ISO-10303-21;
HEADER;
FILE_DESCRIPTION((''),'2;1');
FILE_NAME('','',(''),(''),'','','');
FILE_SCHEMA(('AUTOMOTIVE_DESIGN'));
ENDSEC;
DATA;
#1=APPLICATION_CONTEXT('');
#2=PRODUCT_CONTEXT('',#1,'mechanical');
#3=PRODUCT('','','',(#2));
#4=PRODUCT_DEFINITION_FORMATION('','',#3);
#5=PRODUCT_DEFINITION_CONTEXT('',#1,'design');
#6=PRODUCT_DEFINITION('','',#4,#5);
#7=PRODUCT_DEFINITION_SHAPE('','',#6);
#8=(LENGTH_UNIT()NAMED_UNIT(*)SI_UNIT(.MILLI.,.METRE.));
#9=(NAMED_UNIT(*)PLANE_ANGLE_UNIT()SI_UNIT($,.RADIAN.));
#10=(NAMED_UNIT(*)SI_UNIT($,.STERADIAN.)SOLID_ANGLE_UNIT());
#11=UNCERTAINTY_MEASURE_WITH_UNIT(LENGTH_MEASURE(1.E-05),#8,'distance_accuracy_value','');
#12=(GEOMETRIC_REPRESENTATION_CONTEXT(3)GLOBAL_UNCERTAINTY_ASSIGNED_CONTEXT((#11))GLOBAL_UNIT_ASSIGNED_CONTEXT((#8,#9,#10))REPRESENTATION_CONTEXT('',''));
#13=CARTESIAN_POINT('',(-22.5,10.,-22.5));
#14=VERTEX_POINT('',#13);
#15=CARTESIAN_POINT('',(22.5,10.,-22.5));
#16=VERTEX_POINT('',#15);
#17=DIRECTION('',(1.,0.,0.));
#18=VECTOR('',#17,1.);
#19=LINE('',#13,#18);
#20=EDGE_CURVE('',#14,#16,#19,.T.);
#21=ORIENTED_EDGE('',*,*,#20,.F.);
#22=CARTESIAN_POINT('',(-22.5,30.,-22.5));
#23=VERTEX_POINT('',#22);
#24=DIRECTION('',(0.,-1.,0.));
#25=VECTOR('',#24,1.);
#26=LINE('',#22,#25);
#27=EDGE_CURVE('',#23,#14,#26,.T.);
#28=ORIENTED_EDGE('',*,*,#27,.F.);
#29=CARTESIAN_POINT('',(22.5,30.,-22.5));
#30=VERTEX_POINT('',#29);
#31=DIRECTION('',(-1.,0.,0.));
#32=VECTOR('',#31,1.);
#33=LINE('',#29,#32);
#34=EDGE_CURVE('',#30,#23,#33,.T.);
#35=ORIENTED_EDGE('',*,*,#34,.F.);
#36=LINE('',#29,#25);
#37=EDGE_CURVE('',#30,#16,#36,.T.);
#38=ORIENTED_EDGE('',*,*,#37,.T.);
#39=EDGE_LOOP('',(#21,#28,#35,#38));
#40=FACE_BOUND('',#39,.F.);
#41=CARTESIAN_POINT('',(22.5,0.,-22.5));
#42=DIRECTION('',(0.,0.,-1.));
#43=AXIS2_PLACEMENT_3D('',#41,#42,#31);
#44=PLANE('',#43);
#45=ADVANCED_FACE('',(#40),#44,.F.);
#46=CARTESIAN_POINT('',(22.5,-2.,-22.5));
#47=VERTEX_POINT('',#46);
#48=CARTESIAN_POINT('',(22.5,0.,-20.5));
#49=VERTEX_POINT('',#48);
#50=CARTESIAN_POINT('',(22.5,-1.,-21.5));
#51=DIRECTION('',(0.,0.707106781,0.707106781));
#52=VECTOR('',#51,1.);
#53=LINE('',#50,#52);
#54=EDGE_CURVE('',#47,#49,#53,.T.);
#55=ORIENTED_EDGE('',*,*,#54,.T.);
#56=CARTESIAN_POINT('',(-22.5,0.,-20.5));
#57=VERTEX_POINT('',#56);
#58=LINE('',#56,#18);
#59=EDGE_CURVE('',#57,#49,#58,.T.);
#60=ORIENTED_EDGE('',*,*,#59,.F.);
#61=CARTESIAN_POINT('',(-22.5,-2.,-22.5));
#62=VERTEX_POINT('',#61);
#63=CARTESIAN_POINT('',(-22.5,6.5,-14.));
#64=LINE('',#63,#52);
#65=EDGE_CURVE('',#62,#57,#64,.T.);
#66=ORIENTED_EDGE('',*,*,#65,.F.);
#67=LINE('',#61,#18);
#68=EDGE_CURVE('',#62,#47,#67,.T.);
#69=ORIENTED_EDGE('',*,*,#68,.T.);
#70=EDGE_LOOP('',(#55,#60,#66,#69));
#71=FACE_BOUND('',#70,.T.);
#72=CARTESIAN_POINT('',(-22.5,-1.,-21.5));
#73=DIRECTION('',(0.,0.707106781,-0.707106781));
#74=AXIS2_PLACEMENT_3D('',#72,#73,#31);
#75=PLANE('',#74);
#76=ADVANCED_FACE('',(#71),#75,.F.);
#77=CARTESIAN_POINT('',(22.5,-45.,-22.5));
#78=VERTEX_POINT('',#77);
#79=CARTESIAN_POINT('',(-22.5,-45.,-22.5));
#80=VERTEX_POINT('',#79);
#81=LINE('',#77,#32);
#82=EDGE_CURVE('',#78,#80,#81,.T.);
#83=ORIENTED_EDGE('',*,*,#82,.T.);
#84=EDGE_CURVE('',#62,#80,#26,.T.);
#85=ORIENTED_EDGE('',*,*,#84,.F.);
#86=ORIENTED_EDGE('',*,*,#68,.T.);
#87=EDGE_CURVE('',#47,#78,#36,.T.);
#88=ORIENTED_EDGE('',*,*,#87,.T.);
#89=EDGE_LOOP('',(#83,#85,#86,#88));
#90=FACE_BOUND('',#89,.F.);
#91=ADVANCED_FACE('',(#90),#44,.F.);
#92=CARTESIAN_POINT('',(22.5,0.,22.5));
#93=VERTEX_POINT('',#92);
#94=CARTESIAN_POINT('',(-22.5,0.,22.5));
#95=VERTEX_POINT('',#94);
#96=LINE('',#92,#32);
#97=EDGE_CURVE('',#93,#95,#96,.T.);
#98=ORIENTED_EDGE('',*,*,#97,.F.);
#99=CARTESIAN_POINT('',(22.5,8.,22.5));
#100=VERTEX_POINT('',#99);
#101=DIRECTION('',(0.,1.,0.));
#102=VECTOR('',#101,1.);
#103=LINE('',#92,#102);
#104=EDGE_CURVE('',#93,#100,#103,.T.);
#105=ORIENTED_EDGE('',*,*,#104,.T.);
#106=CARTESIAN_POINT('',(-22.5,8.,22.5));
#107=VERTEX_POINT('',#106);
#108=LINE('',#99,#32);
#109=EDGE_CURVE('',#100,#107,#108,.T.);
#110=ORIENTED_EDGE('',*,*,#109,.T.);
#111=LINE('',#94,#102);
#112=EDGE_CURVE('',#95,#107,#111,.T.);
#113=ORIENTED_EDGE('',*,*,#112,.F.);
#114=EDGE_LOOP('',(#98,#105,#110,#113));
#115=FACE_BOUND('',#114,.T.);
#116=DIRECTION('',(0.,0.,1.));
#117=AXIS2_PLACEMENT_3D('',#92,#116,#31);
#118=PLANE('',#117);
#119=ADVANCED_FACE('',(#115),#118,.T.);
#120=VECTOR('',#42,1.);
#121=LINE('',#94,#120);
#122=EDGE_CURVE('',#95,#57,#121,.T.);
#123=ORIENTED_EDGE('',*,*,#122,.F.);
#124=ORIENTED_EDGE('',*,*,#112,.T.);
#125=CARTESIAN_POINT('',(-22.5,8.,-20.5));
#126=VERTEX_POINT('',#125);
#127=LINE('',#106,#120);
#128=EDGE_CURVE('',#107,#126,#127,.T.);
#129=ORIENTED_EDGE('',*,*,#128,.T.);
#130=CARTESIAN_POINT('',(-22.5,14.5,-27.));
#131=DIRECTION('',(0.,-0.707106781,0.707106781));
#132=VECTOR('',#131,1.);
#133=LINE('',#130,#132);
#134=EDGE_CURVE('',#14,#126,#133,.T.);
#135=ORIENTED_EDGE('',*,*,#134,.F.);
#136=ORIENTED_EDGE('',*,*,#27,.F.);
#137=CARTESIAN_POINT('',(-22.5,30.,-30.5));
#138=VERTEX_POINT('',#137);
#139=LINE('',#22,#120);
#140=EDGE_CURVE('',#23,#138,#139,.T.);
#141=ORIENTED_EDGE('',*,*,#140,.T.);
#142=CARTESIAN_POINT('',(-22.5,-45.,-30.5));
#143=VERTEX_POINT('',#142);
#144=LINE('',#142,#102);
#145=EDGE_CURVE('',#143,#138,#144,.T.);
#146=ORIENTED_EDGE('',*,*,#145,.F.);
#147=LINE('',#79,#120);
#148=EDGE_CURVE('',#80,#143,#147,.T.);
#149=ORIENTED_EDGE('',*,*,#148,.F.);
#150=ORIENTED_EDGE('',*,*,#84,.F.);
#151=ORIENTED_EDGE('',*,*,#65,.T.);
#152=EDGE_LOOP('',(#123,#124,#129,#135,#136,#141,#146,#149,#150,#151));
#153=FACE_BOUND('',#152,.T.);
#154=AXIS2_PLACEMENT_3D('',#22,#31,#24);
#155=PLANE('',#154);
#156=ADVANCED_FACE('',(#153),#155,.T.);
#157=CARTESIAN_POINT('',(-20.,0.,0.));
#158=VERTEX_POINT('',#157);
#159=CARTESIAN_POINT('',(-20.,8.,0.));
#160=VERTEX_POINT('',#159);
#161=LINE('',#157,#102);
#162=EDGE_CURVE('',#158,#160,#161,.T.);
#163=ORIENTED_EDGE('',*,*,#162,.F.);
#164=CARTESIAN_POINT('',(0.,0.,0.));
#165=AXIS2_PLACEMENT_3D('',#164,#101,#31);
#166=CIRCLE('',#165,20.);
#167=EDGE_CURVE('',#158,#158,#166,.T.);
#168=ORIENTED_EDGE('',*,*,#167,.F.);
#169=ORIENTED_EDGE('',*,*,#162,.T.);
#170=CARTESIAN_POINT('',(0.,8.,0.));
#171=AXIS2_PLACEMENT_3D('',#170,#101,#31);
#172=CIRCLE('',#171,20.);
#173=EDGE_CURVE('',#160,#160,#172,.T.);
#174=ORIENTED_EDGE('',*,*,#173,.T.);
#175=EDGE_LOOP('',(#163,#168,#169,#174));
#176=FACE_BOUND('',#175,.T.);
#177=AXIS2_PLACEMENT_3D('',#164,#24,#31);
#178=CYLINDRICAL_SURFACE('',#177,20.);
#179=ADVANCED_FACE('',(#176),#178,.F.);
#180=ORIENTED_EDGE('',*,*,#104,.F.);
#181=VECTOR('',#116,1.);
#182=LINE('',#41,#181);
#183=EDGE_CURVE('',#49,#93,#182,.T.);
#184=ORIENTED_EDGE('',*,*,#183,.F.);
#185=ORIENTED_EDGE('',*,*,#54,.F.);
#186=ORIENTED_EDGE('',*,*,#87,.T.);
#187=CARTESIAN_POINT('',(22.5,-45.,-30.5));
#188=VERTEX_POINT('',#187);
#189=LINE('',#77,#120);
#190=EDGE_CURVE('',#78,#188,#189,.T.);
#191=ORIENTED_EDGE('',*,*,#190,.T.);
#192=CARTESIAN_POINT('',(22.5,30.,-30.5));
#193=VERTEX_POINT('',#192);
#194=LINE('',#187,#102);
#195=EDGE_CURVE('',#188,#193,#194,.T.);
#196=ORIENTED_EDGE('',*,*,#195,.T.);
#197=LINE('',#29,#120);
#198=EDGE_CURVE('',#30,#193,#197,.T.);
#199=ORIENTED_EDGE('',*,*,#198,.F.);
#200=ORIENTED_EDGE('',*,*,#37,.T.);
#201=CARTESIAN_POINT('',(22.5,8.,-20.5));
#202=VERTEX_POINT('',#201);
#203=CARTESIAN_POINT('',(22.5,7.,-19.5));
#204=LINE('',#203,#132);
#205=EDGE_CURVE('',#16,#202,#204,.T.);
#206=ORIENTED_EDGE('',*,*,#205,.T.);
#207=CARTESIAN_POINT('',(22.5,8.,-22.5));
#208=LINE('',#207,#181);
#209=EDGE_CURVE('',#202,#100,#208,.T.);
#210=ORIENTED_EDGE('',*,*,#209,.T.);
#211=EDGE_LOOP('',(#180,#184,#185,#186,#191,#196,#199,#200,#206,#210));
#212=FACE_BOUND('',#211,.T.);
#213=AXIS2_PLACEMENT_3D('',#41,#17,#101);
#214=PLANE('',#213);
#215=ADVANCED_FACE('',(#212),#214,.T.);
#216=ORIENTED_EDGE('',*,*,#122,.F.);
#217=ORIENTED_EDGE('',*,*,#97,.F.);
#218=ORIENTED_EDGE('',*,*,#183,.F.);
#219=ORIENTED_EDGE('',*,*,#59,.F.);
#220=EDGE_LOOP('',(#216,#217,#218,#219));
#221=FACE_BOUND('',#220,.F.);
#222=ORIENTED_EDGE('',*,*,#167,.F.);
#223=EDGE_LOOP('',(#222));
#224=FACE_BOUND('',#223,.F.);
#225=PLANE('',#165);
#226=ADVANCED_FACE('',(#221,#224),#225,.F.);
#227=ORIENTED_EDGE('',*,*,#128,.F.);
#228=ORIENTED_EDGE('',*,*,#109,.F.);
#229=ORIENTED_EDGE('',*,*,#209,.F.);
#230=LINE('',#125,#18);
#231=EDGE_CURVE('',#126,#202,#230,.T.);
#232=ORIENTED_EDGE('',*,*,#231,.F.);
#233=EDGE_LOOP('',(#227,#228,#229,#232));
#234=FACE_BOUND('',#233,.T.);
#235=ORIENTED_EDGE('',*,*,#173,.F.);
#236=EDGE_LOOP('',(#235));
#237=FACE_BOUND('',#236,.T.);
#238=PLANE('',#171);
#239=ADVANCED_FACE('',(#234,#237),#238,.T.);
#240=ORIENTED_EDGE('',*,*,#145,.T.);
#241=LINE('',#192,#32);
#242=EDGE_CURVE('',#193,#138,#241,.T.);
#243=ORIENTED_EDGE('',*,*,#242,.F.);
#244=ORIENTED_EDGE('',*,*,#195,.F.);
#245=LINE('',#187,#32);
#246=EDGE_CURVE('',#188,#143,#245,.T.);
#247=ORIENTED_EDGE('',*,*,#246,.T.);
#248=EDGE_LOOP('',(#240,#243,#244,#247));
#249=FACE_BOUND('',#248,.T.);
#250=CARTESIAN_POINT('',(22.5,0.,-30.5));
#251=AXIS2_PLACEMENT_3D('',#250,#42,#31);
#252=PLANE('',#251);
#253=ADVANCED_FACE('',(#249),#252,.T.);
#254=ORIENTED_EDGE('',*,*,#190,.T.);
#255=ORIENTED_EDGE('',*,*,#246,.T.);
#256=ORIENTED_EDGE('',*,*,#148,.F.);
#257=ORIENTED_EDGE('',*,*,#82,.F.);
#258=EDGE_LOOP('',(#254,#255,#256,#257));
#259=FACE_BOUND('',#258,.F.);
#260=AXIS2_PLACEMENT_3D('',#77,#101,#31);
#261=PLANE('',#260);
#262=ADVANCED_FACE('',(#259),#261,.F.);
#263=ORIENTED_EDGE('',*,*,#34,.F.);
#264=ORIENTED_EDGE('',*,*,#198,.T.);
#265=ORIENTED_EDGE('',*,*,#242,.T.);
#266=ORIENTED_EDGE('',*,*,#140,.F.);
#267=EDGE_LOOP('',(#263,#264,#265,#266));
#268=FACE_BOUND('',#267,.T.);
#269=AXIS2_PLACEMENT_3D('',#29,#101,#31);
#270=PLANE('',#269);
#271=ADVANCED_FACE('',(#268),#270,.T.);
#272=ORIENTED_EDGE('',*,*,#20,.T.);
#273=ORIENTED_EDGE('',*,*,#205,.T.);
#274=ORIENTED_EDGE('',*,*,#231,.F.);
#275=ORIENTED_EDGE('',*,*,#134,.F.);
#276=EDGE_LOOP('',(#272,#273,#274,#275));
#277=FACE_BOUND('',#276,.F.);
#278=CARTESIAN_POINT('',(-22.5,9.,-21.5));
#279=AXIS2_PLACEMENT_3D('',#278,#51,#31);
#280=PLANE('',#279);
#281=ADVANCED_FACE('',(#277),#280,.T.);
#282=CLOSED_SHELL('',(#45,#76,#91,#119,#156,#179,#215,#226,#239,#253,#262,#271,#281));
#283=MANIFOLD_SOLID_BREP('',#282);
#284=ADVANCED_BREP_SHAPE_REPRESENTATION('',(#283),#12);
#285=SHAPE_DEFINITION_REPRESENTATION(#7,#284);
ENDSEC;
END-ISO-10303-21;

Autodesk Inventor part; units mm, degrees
ref_plane "YZ Plane" through (0, 0, 0) normal (1, 0, 0) x (0, 1, 0)
ref_plane "XZ Plane" through (0, 0, 0) normal (0, 1, 0) x (-1, 0, 0)
ref_plane "XY Plane" through (0, 0, 0) normal (0, 0, 1) x (1, 0, 0)
sketch "Sketch1" plane through (0, 0, 0) normal (0, 1, 0) x (-1, 0, 0)
  line L0 (-22.5, 22.5) -> (22.5, 22.5)
  line L1 (22.5, 22.5) -> (22.5, -22.5)
  line L2 (22.5, -22.5) -> (-22.5, -22.5)
  line L3 (-22.5, -22.5) -> (-22.5, 22.5)
  line L4 (-22.5, 22.5) -> (22.5, -22.5) construction
  line L5 (22.5, 22.5) -> (-22.5, -22.5) construction
  circle A0 centre (0, 0) radius 20
  dimension "d0" = 40
  dimension "d1" = 45
  dimension "d2" = 45
extrude "Extrusion1" add sketch "Sketch1" along normal blind 8
sketch "Sketch2" plane through (22.5, 0, -22.5) normal (0, 0, -1) x (-1, 0, 0)
  line L0 (0, 0) -> (45, 0) projected
  line L1 (45, 0) -> (0, 0)
  line L2 (0, 0) -> (0, 30)
  line L3 (0, 30) -> (45, 30)
  line L4 (45, 30) -> (45, 0)
  line L5 (45, 0) -> (0, 0)
  line L6 (0, 0) -> (0, -45)
  line L7 (0, -45) -> (45, -45)
  line L8 (45, -45) -> (45, 0)
  point P0 (22.5, 0)
  dimension "d5" = 30
  dimension "d8" = 45
extrude "Extrusion2" add sketch "Sketch2" along normal blind 8
chamfer "Chamfer1" distance 2 angle 45 2 edges at (0, 8, -22.5) (0, 0, -22.5)
properties part number "Air Filter Bracket" material "Acetal Resin, White"
